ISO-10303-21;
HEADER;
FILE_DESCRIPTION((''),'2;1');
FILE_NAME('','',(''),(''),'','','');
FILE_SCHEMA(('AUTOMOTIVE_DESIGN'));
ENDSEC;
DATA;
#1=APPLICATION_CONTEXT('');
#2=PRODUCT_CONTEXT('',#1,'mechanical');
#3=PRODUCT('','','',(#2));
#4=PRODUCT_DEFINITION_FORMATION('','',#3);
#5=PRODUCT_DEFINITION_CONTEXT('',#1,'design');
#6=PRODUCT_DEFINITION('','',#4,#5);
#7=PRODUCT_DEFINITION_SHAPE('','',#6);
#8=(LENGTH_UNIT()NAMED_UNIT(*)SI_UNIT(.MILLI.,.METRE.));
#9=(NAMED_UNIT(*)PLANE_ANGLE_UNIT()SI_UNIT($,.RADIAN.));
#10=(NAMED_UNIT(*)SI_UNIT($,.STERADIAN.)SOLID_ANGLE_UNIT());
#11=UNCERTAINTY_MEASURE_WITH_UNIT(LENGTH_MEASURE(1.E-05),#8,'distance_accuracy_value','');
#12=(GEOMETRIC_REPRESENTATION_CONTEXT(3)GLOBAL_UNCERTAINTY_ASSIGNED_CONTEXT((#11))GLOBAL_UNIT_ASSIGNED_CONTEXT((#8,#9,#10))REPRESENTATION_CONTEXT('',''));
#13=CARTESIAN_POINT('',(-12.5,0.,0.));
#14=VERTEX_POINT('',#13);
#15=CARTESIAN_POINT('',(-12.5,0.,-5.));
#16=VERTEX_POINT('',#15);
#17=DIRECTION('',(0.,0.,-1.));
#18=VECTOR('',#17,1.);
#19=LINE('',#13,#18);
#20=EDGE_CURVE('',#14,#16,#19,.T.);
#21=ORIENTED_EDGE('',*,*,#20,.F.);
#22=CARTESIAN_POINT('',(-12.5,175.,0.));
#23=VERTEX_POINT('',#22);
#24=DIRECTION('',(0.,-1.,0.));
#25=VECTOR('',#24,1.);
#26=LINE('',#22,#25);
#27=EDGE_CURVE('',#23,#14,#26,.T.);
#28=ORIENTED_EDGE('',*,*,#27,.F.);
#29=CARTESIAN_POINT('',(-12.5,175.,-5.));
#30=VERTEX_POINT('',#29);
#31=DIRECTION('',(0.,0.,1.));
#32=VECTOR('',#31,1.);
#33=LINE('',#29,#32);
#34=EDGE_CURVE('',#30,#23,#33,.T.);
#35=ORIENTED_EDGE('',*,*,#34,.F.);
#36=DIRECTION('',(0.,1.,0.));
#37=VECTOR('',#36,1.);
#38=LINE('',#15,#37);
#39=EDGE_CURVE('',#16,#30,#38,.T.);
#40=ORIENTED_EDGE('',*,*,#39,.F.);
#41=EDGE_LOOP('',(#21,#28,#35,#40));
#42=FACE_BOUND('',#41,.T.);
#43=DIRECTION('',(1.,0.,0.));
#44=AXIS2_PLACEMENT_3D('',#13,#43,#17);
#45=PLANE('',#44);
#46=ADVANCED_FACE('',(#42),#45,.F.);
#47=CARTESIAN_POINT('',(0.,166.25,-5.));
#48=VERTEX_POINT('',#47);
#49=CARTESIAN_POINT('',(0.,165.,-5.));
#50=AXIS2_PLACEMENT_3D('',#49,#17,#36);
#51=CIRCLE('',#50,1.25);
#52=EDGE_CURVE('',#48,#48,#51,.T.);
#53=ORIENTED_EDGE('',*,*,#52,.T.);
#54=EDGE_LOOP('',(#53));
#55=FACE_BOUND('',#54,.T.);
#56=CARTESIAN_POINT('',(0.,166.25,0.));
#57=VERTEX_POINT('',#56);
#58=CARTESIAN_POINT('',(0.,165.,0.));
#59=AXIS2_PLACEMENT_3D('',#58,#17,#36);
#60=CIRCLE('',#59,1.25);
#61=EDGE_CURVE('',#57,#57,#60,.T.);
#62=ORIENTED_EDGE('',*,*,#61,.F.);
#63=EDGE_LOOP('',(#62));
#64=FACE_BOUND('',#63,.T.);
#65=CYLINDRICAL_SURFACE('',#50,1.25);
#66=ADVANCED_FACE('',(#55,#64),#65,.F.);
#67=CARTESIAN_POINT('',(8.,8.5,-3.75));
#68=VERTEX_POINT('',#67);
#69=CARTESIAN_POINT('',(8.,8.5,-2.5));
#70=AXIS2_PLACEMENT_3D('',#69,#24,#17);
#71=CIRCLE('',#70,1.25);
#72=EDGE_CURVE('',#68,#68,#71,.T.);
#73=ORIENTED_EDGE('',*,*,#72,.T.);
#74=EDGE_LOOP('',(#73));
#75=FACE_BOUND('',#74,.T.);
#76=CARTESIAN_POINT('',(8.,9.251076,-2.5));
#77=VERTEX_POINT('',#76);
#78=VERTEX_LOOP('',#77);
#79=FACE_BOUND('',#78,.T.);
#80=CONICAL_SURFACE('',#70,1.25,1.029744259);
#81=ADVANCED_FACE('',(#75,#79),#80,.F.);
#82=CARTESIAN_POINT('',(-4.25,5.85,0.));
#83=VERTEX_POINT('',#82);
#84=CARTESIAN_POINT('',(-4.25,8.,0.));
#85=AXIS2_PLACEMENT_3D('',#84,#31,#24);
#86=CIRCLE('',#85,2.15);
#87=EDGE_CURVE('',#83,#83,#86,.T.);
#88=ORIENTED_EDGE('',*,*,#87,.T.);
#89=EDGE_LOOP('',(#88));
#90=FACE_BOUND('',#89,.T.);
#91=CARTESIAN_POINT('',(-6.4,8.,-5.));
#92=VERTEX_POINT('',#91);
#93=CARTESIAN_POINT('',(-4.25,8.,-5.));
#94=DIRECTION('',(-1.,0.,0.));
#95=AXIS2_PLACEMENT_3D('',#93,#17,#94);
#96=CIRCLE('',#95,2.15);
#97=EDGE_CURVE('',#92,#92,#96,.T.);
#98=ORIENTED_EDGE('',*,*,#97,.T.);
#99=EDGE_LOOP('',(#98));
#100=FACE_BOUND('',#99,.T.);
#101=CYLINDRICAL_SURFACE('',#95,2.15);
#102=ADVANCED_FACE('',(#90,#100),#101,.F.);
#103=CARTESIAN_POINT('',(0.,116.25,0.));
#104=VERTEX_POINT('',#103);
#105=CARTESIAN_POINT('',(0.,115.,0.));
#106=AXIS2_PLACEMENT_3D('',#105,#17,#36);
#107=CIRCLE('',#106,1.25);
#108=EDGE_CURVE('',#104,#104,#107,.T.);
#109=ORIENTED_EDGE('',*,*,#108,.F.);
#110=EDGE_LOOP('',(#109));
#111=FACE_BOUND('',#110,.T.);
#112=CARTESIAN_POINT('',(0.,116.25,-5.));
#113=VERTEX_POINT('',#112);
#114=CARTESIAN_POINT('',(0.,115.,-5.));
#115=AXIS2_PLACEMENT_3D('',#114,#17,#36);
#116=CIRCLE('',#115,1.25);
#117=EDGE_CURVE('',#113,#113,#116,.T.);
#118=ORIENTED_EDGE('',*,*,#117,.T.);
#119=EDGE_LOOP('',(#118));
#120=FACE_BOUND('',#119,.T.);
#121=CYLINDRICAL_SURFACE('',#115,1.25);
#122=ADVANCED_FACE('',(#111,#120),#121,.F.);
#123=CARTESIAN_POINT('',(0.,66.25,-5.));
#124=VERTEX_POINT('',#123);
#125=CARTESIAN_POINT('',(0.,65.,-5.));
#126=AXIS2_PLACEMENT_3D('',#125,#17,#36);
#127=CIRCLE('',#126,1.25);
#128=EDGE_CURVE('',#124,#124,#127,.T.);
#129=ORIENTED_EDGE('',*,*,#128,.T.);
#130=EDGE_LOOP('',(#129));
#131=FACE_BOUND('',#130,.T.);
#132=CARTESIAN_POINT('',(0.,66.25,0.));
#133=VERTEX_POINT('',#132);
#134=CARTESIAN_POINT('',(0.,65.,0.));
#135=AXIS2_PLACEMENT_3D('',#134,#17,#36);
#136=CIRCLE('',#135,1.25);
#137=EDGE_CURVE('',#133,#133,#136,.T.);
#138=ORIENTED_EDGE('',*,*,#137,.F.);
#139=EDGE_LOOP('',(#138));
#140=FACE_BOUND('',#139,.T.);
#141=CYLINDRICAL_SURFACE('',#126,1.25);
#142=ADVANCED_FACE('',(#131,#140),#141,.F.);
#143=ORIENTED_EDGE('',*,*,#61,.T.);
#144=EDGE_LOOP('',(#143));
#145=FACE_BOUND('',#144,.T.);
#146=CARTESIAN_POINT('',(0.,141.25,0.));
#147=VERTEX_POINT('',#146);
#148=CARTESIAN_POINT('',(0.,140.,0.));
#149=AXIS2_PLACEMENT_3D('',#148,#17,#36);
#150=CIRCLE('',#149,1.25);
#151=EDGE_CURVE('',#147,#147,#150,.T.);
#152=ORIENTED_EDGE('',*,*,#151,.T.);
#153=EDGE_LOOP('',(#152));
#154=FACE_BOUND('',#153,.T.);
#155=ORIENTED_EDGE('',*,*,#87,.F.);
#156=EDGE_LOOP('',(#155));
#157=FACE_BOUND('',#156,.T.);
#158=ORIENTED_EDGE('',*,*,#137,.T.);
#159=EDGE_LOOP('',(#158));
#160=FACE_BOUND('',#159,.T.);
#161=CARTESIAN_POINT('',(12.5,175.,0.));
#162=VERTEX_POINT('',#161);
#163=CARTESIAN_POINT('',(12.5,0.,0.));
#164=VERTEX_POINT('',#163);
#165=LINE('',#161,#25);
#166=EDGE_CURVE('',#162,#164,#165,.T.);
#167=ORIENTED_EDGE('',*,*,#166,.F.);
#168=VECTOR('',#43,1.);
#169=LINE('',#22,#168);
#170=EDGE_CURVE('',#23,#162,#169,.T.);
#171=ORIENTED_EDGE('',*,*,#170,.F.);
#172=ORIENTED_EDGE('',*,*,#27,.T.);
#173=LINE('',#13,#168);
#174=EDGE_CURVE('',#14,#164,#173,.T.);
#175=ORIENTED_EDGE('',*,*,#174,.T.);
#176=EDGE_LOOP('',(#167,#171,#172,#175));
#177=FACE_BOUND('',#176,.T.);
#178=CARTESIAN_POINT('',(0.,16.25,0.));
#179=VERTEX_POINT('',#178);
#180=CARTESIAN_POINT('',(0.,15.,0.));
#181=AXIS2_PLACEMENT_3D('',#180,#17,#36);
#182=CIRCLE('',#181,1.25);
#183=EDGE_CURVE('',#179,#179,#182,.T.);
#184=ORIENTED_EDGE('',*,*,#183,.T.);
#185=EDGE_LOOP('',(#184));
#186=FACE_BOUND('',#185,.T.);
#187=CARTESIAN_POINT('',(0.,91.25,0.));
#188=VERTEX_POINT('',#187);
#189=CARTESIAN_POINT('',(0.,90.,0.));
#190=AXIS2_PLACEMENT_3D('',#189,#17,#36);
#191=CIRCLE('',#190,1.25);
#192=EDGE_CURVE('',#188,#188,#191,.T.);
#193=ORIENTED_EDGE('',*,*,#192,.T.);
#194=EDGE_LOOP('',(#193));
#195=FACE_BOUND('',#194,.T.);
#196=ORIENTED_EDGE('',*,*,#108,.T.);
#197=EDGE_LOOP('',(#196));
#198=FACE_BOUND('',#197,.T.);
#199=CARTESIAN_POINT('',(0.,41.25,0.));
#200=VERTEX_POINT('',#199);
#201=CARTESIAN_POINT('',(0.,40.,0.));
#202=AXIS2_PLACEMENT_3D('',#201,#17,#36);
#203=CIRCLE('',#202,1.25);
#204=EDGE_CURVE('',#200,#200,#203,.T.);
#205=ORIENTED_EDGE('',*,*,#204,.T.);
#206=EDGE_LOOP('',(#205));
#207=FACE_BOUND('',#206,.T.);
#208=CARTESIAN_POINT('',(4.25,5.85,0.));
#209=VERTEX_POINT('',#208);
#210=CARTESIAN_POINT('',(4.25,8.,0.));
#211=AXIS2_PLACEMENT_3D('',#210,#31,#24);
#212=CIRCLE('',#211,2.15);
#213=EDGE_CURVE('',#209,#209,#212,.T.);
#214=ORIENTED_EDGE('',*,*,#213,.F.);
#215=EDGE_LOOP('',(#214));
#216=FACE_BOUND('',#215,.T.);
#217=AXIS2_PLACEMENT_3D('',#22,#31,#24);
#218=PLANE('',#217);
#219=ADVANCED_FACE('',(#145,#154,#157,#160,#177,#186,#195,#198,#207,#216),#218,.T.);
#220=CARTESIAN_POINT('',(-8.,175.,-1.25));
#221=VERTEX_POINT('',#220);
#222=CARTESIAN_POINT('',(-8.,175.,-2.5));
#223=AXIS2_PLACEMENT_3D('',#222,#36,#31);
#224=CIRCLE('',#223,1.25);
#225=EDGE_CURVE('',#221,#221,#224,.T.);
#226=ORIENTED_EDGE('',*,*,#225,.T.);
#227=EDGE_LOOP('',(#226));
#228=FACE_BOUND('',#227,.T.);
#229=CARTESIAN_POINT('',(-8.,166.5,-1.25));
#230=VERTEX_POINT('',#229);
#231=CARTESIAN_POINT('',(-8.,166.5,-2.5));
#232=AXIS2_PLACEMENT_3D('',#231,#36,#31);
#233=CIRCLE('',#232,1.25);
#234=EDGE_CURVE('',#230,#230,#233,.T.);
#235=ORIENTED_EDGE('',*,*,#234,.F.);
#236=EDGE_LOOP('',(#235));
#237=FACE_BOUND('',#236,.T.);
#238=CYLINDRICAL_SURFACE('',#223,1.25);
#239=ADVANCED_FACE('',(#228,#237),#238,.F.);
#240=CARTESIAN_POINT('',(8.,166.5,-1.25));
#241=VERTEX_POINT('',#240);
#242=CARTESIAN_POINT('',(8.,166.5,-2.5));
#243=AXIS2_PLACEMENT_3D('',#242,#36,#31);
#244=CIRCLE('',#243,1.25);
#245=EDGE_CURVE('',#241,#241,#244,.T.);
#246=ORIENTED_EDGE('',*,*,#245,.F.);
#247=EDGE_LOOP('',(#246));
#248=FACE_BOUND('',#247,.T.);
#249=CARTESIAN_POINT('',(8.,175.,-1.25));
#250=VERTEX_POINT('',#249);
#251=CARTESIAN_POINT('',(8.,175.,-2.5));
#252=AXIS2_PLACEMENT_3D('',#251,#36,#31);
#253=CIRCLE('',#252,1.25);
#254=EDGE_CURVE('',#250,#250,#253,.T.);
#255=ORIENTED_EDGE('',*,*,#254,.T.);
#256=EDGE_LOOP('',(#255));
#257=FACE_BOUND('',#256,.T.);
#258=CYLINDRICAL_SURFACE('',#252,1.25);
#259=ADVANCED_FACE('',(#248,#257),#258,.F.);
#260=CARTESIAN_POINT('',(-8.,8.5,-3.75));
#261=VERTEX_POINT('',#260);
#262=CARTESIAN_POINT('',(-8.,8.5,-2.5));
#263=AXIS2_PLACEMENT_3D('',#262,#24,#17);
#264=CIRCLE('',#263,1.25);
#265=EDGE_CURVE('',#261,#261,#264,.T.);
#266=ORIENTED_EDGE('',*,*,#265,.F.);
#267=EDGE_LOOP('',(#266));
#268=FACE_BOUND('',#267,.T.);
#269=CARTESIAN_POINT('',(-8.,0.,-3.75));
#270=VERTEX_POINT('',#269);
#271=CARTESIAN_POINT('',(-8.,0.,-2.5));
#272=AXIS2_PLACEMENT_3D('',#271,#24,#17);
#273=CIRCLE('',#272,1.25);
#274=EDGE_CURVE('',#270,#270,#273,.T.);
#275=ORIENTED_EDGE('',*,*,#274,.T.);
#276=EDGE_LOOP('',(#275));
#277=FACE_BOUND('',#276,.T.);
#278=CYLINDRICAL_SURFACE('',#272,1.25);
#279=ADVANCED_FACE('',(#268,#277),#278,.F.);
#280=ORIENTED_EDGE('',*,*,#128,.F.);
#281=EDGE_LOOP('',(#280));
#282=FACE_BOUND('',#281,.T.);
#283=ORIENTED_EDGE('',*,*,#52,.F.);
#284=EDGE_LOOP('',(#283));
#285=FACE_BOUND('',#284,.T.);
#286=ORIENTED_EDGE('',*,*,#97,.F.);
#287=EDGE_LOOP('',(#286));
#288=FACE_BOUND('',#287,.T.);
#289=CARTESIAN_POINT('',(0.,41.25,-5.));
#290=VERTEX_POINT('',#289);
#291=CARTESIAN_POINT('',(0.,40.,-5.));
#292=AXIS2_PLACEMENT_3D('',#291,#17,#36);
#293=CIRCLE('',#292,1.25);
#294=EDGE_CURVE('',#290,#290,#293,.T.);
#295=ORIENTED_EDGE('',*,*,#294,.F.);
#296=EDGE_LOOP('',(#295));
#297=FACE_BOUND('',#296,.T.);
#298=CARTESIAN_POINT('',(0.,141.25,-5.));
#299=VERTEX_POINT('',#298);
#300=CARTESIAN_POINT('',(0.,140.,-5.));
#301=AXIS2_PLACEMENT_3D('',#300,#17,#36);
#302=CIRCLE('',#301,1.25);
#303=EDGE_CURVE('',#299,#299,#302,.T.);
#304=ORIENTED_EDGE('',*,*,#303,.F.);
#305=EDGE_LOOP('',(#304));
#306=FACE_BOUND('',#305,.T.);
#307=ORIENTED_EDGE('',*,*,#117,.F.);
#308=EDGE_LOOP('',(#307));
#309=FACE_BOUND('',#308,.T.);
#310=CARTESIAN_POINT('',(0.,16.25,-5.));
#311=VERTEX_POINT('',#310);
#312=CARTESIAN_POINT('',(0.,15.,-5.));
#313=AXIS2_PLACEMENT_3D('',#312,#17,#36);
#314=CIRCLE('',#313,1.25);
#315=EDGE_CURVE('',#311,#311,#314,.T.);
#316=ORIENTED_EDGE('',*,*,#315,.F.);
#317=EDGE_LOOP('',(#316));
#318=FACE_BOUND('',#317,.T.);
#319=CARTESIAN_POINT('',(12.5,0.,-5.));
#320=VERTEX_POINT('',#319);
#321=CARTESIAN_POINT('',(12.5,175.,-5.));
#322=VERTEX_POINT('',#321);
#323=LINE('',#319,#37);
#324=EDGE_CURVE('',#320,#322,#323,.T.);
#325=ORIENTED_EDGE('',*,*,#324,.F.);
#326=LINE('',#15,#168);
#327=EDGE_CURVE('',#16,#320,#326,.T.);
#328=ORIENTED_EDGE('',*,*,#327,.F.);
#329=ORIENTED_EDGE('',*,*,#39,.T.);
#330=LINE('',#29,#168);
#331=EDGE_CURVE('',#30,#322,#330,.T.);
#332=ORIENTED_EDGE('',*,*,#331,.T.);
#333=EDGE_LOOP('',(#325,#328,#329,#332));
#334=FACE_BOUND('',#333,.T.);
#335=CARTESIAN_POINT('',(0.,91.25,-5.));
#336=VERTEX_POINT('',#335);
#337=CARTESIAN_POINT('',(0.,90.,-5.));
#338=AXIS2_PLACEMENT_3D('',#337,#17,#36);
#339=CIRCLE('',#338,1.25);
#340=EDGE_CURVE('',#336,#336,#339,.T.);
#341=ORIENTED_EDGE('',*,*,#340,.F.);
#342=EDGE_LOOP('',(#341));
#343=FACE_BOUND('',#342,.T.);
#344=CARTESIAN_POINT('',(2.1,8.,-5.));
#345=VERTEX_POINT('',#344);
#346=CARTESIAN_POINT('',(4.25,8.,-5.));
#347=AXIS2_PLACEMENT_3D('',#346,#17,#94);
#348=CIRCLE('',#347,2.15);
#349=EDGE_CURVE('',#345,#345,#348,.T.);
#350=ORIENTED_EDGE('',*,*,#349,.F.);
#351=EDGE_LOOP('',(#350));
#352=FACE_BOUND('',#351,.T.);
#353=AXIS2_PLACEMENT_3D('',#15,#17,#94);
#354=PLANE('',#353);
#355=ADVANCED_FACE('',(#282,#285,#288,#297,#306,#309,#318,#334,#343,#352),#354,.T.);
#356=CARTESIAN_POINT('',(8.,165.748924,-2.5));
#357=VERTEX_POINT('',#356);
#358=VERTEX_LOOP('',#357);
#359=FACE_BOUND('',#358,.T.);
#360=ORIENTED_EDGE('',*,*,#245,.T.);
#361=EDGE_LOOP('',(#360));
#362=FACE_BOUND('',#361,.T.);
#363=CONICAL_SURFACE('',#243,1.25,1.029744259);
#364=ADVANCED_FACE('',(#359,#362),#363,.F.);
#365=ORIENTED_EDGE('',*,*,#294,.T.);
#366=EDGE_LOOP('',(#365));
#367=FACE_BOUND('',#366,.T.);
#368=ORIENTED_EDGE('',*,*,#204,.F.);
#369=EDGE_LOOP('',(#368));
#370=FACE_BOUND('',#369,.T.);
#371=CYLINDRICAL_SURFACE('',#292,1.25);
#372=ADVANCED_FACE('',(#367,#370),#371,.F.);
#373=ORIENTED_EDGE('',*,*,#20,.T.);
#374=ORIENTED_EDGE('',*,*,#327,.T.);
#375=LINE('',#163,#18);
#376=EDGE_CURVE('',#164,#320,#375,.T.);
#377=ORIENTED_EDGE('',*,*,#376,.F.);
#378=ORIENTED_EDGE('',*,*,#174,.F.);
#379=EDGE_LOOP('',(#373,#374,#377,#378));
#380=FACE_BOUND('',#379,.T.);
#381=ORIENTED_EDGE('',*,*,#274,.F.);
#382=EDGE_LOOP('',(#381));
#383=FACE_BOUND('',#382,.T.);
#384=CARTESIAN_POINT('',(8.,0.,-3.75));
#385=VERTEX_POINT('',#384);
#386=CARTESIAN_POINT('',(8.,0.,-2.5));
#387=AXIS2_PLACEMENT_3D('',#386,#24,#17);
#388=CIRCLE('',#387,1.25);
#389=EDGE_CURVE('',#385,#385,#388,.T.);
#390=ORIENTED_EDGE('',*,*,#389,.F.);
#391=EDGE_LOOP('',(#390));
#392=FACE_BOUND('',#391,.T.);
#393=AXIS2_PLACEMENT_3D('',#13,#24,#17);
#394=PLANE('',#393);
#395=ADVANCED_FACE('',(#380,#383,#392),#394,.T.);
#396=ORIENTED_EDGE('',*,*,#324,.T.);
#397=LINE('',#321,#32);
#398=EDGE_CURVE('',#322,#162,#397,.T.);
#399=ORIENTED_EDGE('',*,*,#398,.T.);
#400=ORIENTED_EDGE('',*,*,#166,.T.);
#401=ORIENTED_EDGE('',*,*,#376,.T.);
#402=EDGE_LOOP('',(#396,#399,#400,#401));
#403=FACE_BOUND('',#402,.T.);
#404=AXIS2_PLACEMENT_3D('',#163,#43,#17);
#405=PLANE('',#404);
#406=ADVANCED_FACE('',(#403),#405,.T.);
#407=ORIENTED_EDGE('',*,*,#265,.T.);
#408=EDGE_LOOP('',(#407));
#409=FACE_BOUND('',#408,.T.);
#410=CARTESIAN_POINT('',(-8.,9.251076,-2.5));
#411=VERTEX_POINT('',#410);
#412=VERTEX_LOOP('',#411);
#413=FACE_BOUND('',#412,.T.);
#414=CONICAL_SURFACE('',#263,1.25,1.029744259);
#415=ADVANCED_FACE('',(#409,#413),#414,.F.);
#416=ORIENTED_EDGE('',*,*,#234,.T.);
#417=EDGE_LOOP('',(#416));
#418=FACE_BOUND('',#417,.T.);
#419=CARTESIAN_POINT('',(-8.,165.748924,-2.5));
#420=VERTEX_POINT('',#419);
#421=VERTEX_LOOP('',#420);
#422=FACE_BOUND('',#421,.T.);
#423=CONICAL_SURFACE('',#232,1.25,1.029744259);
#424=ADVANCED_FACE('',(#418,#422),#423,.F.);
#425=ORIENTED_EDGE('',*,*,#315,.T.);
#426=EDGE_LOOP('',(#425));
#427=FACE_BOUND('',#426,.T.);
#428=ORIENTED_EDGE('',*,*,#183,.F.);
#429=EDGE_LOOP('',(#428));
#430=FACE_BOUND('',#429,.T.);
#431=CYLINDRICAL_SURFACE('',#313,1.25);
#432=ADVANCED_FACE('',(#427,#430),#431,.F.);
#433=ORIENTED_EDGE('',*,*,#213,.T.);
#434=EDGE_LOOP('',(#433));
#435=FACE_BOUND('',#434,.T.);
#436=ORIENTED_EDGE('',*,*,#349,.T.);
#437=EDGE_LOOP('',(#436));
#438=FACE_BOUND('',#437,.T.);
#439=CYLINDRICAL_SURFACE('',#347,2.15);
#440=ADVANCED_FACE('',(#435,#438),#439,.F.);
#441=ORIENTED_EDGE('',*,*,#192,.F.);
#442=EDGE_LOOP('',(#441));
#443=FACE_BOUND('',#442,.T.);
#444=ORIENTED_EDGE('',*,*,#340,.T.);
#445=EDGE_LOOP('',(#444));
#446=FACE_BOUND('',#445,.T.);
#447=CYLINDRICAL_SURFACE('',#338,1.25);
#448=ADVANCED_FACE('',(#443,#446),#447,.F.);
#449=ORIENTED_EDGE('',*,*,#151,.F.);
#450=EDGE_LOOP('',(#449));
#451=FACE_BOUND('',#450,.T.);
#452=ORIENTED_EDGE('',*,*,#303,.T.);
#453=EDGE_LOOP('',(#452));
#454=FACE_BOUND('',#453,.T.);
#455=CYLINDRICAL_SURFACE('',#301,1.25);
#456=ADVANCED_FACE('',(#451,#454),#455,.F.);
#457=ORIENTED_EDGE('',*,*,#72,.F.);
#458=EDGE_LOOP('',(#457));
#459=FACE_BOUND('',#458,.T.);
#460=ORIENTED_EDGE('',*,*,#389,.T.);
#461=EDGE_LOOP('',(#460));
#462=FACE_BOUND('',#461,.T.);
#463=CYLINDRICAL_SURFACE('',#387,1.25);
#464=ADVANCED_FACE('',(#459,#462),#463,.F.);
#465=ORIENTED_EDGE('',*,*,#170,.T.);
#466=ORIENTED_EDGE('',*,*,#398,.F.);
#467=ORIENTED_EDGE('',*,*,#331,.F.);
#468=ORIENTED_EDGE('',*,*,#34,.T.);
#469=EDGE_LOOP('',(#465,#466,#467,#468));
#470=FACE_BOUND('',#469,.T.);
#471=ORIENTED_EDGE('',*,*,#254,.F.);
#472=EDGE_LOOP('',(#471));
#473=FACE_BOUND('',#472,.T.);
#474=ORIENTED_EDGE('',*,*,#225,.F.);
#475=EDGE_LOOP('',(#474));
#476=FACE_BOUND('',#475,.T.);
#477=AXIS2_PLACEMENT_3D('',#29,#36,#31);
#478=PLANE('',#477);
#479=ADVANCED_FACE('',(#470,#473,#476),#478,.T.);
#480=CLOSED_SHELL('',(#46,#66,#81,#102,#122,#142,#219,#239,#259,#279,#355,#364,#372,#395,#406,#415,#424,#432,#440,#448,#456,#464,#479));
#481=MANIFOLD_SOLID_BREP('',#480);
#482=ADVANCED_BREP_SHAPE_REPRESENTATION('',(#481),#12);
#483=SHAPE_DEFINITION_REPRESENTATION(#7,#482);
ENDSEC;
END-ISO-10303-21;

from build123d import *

# Parameters (mm, degrees)
AUFSATZ_LINEAR_AUSTRAGEN1_DEPTH      = 12.5
AUFSATZ_LINEAR_AUSTRAGEN1_DEPTH_BACK = 12.5
SKIZZE1_W                            = 5
SKIZZE1_H                            = 175
M3_GEWINDEBOHRUNG3_D                 = 2.5
M3_GEWINDEBOHRUNG1_D                 = 2.5
M3_GEWINDEBOHRUNG1_DEPTH             = 8.5
M3_GEWINDEBOHRUNG1_TIP               = 0.751075774
M3_GEWINDEBOHRUNG2_D                 = 2.5
M3_GEWINDEBOHRUNG2_DEPTH             = 8.5
M3_GEWINDEBOHRUNG2_TIP               = 0.751075774
DURCHGANGSLOCH_F_R_M41_D             = 4.3


with BuildPart() as part:
    # Skizze1 → Aufsatz-Linear austragen1 (new, two sides: drawn at the far end of the back side and taken through both)
    with BuildSketch(Plane(origin=(0, 0, 0), x_dir=(0, 0, -1), z_dir=(1, 0, 0)).offset(-AUFSATZ_LINEAR_AUSTRAGEN1_DEPTH_BACK)):
        with Locations((2.5, 87.5)):
            Rectangle(SKIZZE1_W, SKIZZE1_H)
    extrude(amount=AUFSATZ_LINEAR_AUSTRAGEN1_DEPTH + AUFSATZ_LINEAR_AUSTRAGEN1_DEPTH_BACK)

    # M3 Gewindebohrung3 (through all)
    with Locations(Plane(origin=(0, 0, -5), x_dir=(-1, 0, 0), z_dir=(0, 0, -1))):
        with Locations((0, 15), (0, 165), (0, 140), (0, 115), (0, 90), (0, 65), (0, 40)):
            Hole(M3_GEWINDEBOHRUNG3_D / 2)

    # M3 Gewindebohrung1
    with Locations(Plane(origin=(0, 175, 0), x_dir=(1, 0, 0), z_dir=(0, 1, 0))):
        with Locations((8, 2.5), (-8, 2.5)):
            Hole(M3_GEWINDEBOHRUNG1_D / 2, depth=M3_GEWINDEBOHRUNG1_DEPTH)
            with Locations((0, 0, -(M3_GEWINDEBOHRUNG1_DEPTH + M3_GEWINDEBOHRUNG1_TIP / 2))):  # 118° drill point
                Cone(0, M3_GEWINDEBOHRUNG1_D / 2, M3_GEWINDEBOHRUNG1_TIP, mode=Mode.SUBTRACT)

    # M3 Gewindebohrung2
    with Locations(Plane(origin=(0, 0, 0), x_dir=(-1, 0, 0), z_dir=(0, -1, 0))):
        with Locations((8, 2.5), (-8, 2.5)):
            Hole(M3_GEWINDEBOHRUNG2_D / 2, depth=M3_GEWINDEBOHRUNG2_DEPTH)
            with Locations((0, 0, -(M3_GEWINDEBOHRUNG2_DEPTH + M3_GEWINDEBOHRUNG2_TIP / 2))):  # 118° drill point
                Cone(0, M3_GEWINDEBOHRUNG2_D / 2, M3_GEWINDEBOHRUNG2_TIP, mode=Mode.SUBTRACT)

    # Durchgangsloch für M41 (through all)
    with Locations(Plane(origin=(0, 0, -5), x_dir=(-1, 0, 0), z_dir=(0, 0, -1))):
        with Locations((-4.25, 8), (4.25, 8)):
            Hole(DURCHGANGSLOCH_F_R_M41_D / 2)


solid = part.part
